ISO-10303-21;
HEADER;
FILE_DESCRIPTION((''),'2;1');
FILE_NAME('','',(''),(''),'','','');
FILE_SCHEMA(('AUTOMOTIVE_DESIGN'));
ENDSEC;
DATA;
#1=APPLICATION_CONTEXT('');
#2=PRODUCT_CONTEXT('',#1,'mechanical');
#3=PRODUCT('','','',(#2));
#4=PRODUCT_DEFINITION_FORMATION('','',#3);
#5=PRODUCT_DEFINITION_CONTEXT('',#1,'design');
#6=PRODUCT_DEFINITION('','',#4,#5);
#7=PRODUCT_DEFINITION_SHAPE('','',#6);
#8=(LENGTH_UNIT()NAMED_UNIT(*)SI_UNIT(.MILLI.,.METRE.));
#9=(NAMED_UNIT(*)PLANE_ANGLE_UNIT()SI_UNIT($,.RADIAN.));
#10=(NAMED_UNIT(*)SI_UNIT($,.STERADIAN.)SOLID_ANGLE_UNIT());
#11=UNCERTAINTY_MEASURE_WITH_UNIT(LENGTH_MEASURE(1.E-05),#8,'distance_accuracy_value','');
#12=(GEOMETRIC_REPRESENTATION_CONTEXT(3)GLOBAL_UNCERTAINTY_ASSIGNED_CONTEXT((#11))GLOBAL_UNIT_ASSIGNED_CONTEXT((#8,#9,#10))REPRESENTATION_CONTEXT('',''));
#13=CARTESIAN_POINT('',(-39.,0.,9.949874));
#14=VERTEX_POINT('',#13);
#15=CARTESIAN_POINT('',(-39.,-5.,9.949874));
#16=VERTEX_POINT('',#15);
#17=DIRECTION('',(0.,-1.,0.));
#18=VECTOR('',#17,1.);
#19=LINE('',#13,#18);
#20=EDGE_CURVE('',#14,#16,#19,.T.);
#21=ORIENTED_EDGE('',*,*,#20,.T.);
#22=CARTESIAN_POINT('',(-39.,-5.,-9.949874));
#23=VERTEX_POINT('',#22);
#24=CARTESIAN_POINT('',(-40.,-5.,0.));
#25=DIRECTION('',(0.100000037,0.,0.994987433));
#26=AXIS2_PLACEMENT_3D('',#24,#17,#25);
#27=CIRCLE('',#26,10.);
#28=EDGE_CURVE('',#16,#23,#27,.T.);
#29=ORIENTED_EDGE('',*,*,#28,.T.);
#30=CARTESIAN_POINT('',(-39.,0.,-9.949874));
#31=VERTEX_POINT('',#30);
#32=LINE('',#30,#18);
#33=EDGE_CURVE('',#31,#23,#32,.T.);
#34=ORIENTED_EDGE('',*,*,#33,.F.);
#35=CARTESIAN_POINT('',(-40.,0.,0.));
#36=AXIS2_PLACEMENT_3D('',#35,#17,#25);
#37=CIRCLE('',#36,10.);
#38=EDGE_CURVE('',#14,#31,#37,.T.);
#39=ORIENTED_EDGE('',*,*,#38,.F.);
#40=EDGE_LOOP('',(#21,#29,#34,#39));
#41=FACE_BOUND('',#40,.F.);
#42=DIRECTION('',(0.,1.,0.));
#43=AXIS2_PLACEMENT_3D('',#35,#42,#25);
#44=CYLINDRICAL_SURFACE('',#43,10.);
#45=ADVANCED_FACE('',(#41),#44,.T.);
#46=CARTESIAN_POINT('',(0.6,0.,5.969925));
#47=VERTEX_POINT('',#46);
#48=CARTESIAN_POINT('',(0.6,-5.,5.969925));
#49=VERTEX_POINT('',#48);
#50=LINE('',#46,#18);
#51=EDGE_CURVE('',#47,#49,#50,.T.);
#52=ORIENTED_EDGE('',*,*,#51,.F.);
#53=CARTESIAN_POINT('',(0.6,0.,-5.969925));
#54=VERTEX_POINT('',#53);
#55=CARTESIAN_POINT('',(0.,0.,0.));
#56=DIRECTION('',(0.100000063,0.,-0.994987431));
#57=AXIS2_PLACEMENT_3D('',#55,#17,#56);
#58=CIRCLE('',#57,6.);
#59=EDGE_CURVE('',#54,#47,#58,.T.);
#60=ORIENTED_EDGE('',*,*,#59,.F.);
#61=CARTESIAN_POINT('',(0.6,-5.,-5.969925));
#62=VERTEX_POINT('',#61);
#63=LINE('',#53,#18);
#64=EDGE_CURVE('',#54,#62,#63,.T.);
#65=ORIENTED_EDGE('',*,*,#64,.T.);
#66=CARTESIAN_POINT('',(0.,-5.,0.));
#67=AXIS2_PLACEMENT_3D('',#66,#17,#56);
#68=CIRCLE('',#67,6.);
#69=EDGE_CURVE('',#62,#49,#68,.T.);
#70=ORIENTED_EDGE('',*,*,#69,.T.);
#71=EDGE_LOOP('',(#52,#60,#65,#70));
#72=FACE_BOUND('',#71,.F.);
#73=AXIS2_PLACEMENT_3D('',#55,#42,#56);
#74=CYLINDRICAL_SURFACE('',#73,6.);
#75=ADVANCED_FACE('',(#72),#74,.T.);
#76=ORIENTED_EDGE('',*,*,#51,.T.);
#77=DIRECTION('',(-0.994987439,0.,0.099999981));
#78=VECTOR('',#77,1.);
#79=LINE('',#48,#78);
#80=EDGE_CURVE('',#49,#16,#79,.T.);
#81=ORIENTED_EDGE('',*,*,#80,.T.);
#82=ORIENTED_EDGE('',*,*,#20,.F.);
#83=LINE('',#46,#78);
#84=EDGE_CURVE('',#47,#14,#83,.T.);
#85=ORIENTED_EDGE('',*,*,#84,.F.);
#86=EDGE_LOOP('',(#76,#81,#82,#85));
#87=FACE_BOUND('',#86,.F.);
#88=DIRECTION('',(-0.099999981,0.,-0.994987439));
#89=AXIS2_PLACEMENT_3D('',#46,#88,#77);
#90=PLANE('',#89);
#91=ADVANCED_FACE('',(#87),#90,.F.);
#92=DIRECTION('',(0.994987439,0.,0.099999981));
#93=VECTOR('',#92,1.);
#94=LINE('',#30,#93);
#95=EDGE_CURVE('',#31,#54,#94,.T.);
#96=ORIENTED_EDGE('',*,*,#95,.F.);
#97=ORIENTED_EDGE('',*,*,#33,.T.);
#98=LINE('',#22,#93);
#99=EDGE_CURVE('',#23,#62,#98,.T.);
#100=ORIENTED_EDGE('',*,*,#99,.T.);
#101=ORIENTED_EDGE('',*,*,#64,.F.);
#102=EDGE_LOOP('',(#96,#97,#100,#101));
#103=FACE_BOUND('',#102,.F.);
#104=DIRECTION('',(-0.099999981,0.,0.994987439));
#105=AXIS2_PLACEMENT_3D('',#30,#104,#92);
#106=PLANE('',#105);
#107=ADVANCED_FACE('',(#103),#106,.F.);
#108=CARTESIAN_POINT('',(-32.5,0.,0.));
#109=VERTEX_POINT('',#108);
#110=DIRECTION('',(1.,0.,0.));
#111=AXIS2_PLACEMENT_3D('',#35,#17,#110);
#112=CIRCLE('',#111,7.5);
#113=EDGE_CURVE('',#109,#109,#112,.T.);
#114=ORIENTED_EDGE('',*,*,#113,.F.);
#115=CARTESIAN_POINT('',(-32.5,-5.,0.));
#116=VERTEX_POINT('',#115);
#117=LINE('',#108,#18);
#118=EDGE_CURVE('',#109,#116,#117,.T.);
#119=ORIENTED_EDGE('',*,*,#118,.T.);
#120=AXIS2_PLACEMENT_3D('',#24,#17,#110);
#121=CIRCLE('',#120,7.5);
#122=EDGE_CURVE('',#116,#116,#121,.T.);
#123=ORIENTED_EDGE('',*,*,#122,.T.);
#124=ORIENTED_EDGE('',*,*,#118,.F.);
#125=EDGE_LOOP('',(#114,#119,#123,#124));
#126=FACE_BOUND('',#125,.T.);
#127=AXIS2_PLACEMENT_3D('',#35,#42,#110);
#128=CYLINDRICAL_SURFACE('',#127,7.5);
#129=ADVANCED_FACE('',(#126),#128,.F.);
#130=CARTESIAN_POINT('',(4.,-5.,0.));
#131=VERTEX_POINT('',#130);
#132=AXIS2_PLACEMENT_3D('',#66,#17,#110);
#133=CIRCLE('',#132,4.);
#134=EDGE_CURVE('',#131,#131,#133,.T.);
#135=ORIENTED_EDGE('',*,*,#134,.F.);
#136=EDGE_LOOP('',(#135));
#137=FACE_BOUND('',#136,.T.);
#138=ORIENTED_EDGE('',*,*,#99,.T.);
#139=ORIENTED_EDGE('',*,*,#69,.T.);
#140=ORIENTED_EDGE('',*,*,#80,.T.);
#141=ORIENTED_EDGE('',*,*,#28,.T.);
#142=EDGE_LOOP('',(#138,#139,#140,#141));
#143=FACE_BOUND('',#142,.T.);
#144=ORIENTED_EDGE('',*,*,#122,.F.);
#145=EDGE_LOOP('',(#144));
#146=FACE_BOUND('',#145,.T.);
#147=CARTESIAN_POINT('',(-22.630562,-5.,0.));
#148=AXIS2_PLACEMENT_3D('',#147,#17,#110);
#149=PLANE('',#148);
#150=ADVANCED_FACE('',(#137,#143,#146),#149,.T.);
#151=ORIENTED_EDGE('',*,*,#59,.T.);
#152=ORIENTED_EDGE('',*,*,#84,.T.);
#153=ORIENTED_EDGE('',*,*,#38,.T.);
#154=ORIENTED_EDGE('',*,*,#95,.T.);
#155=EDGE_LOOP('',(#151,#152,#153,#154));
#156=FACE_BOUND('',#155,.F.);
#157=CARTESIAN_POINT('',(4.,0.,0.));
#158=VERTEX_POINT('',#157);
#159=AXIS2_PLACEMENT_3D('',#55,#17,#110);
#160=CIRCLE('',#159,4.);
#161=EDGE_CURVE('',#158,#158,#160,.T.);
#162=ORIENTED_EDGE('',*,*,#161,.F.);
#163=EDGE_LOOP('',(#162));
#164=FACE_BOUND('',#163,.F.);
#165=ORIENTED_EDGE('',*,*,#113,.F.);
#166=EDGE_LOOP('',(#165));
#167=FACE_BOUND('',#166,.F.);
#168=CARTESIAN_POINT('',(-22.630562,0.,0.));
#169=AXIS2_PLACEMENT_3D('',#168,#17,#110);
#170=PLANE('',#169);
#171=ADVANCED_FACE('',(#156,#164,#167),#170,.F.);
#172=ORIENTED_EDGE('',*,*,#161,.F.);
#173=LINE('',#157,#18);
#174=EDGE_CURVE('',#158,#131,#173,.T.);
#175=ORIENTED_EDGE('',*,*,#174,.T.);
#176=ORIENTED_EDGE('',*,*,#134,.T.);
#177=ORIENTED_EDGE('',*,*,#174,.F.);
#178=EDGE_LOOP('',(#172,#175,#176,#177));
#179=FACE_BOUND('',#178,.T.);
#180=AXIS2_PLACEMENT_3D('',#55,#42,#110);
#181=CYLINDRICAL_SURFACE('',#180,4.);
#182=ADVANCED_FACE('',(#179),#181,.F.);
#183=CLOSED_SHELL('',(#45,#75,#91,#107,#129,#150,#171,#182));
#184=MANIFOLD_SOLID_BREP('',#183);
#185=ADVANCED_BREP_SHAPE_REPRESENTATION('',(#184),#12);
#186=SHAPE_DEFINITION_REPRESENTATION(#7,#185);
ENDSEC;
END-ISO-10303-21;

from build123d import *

# Parameters (mm, degrees)
F0_R     = 7.5
F0_R_2   = 4
F1_DEPTH = 5


with BuildPart() as f1:
    # F0 (on Front) → F1 (new body)
    with BuildSketch(Plane.XZ):
        with BuildLine():
            Line((-39, -9.949874), (0.6, -5.969925))
            ThreePointArc((0.6, -5.969925), (6, 0), (0.6, 5.969925))
            Line((0.6, 5.969925), (-39, 9.949874))
            ThreePointArc((-39, 9.949874), (-50, 0), (-39, -9.949874))
        make_face()
        with Locations((-40, 0)):
            Circle(F0_R, mode=Mode.SUBTRACT)
        Circle(F0_R_2, mode=Mode.SUBTRACT)
    extrude(amount=F1_DEPTH)


solid = f1.part
